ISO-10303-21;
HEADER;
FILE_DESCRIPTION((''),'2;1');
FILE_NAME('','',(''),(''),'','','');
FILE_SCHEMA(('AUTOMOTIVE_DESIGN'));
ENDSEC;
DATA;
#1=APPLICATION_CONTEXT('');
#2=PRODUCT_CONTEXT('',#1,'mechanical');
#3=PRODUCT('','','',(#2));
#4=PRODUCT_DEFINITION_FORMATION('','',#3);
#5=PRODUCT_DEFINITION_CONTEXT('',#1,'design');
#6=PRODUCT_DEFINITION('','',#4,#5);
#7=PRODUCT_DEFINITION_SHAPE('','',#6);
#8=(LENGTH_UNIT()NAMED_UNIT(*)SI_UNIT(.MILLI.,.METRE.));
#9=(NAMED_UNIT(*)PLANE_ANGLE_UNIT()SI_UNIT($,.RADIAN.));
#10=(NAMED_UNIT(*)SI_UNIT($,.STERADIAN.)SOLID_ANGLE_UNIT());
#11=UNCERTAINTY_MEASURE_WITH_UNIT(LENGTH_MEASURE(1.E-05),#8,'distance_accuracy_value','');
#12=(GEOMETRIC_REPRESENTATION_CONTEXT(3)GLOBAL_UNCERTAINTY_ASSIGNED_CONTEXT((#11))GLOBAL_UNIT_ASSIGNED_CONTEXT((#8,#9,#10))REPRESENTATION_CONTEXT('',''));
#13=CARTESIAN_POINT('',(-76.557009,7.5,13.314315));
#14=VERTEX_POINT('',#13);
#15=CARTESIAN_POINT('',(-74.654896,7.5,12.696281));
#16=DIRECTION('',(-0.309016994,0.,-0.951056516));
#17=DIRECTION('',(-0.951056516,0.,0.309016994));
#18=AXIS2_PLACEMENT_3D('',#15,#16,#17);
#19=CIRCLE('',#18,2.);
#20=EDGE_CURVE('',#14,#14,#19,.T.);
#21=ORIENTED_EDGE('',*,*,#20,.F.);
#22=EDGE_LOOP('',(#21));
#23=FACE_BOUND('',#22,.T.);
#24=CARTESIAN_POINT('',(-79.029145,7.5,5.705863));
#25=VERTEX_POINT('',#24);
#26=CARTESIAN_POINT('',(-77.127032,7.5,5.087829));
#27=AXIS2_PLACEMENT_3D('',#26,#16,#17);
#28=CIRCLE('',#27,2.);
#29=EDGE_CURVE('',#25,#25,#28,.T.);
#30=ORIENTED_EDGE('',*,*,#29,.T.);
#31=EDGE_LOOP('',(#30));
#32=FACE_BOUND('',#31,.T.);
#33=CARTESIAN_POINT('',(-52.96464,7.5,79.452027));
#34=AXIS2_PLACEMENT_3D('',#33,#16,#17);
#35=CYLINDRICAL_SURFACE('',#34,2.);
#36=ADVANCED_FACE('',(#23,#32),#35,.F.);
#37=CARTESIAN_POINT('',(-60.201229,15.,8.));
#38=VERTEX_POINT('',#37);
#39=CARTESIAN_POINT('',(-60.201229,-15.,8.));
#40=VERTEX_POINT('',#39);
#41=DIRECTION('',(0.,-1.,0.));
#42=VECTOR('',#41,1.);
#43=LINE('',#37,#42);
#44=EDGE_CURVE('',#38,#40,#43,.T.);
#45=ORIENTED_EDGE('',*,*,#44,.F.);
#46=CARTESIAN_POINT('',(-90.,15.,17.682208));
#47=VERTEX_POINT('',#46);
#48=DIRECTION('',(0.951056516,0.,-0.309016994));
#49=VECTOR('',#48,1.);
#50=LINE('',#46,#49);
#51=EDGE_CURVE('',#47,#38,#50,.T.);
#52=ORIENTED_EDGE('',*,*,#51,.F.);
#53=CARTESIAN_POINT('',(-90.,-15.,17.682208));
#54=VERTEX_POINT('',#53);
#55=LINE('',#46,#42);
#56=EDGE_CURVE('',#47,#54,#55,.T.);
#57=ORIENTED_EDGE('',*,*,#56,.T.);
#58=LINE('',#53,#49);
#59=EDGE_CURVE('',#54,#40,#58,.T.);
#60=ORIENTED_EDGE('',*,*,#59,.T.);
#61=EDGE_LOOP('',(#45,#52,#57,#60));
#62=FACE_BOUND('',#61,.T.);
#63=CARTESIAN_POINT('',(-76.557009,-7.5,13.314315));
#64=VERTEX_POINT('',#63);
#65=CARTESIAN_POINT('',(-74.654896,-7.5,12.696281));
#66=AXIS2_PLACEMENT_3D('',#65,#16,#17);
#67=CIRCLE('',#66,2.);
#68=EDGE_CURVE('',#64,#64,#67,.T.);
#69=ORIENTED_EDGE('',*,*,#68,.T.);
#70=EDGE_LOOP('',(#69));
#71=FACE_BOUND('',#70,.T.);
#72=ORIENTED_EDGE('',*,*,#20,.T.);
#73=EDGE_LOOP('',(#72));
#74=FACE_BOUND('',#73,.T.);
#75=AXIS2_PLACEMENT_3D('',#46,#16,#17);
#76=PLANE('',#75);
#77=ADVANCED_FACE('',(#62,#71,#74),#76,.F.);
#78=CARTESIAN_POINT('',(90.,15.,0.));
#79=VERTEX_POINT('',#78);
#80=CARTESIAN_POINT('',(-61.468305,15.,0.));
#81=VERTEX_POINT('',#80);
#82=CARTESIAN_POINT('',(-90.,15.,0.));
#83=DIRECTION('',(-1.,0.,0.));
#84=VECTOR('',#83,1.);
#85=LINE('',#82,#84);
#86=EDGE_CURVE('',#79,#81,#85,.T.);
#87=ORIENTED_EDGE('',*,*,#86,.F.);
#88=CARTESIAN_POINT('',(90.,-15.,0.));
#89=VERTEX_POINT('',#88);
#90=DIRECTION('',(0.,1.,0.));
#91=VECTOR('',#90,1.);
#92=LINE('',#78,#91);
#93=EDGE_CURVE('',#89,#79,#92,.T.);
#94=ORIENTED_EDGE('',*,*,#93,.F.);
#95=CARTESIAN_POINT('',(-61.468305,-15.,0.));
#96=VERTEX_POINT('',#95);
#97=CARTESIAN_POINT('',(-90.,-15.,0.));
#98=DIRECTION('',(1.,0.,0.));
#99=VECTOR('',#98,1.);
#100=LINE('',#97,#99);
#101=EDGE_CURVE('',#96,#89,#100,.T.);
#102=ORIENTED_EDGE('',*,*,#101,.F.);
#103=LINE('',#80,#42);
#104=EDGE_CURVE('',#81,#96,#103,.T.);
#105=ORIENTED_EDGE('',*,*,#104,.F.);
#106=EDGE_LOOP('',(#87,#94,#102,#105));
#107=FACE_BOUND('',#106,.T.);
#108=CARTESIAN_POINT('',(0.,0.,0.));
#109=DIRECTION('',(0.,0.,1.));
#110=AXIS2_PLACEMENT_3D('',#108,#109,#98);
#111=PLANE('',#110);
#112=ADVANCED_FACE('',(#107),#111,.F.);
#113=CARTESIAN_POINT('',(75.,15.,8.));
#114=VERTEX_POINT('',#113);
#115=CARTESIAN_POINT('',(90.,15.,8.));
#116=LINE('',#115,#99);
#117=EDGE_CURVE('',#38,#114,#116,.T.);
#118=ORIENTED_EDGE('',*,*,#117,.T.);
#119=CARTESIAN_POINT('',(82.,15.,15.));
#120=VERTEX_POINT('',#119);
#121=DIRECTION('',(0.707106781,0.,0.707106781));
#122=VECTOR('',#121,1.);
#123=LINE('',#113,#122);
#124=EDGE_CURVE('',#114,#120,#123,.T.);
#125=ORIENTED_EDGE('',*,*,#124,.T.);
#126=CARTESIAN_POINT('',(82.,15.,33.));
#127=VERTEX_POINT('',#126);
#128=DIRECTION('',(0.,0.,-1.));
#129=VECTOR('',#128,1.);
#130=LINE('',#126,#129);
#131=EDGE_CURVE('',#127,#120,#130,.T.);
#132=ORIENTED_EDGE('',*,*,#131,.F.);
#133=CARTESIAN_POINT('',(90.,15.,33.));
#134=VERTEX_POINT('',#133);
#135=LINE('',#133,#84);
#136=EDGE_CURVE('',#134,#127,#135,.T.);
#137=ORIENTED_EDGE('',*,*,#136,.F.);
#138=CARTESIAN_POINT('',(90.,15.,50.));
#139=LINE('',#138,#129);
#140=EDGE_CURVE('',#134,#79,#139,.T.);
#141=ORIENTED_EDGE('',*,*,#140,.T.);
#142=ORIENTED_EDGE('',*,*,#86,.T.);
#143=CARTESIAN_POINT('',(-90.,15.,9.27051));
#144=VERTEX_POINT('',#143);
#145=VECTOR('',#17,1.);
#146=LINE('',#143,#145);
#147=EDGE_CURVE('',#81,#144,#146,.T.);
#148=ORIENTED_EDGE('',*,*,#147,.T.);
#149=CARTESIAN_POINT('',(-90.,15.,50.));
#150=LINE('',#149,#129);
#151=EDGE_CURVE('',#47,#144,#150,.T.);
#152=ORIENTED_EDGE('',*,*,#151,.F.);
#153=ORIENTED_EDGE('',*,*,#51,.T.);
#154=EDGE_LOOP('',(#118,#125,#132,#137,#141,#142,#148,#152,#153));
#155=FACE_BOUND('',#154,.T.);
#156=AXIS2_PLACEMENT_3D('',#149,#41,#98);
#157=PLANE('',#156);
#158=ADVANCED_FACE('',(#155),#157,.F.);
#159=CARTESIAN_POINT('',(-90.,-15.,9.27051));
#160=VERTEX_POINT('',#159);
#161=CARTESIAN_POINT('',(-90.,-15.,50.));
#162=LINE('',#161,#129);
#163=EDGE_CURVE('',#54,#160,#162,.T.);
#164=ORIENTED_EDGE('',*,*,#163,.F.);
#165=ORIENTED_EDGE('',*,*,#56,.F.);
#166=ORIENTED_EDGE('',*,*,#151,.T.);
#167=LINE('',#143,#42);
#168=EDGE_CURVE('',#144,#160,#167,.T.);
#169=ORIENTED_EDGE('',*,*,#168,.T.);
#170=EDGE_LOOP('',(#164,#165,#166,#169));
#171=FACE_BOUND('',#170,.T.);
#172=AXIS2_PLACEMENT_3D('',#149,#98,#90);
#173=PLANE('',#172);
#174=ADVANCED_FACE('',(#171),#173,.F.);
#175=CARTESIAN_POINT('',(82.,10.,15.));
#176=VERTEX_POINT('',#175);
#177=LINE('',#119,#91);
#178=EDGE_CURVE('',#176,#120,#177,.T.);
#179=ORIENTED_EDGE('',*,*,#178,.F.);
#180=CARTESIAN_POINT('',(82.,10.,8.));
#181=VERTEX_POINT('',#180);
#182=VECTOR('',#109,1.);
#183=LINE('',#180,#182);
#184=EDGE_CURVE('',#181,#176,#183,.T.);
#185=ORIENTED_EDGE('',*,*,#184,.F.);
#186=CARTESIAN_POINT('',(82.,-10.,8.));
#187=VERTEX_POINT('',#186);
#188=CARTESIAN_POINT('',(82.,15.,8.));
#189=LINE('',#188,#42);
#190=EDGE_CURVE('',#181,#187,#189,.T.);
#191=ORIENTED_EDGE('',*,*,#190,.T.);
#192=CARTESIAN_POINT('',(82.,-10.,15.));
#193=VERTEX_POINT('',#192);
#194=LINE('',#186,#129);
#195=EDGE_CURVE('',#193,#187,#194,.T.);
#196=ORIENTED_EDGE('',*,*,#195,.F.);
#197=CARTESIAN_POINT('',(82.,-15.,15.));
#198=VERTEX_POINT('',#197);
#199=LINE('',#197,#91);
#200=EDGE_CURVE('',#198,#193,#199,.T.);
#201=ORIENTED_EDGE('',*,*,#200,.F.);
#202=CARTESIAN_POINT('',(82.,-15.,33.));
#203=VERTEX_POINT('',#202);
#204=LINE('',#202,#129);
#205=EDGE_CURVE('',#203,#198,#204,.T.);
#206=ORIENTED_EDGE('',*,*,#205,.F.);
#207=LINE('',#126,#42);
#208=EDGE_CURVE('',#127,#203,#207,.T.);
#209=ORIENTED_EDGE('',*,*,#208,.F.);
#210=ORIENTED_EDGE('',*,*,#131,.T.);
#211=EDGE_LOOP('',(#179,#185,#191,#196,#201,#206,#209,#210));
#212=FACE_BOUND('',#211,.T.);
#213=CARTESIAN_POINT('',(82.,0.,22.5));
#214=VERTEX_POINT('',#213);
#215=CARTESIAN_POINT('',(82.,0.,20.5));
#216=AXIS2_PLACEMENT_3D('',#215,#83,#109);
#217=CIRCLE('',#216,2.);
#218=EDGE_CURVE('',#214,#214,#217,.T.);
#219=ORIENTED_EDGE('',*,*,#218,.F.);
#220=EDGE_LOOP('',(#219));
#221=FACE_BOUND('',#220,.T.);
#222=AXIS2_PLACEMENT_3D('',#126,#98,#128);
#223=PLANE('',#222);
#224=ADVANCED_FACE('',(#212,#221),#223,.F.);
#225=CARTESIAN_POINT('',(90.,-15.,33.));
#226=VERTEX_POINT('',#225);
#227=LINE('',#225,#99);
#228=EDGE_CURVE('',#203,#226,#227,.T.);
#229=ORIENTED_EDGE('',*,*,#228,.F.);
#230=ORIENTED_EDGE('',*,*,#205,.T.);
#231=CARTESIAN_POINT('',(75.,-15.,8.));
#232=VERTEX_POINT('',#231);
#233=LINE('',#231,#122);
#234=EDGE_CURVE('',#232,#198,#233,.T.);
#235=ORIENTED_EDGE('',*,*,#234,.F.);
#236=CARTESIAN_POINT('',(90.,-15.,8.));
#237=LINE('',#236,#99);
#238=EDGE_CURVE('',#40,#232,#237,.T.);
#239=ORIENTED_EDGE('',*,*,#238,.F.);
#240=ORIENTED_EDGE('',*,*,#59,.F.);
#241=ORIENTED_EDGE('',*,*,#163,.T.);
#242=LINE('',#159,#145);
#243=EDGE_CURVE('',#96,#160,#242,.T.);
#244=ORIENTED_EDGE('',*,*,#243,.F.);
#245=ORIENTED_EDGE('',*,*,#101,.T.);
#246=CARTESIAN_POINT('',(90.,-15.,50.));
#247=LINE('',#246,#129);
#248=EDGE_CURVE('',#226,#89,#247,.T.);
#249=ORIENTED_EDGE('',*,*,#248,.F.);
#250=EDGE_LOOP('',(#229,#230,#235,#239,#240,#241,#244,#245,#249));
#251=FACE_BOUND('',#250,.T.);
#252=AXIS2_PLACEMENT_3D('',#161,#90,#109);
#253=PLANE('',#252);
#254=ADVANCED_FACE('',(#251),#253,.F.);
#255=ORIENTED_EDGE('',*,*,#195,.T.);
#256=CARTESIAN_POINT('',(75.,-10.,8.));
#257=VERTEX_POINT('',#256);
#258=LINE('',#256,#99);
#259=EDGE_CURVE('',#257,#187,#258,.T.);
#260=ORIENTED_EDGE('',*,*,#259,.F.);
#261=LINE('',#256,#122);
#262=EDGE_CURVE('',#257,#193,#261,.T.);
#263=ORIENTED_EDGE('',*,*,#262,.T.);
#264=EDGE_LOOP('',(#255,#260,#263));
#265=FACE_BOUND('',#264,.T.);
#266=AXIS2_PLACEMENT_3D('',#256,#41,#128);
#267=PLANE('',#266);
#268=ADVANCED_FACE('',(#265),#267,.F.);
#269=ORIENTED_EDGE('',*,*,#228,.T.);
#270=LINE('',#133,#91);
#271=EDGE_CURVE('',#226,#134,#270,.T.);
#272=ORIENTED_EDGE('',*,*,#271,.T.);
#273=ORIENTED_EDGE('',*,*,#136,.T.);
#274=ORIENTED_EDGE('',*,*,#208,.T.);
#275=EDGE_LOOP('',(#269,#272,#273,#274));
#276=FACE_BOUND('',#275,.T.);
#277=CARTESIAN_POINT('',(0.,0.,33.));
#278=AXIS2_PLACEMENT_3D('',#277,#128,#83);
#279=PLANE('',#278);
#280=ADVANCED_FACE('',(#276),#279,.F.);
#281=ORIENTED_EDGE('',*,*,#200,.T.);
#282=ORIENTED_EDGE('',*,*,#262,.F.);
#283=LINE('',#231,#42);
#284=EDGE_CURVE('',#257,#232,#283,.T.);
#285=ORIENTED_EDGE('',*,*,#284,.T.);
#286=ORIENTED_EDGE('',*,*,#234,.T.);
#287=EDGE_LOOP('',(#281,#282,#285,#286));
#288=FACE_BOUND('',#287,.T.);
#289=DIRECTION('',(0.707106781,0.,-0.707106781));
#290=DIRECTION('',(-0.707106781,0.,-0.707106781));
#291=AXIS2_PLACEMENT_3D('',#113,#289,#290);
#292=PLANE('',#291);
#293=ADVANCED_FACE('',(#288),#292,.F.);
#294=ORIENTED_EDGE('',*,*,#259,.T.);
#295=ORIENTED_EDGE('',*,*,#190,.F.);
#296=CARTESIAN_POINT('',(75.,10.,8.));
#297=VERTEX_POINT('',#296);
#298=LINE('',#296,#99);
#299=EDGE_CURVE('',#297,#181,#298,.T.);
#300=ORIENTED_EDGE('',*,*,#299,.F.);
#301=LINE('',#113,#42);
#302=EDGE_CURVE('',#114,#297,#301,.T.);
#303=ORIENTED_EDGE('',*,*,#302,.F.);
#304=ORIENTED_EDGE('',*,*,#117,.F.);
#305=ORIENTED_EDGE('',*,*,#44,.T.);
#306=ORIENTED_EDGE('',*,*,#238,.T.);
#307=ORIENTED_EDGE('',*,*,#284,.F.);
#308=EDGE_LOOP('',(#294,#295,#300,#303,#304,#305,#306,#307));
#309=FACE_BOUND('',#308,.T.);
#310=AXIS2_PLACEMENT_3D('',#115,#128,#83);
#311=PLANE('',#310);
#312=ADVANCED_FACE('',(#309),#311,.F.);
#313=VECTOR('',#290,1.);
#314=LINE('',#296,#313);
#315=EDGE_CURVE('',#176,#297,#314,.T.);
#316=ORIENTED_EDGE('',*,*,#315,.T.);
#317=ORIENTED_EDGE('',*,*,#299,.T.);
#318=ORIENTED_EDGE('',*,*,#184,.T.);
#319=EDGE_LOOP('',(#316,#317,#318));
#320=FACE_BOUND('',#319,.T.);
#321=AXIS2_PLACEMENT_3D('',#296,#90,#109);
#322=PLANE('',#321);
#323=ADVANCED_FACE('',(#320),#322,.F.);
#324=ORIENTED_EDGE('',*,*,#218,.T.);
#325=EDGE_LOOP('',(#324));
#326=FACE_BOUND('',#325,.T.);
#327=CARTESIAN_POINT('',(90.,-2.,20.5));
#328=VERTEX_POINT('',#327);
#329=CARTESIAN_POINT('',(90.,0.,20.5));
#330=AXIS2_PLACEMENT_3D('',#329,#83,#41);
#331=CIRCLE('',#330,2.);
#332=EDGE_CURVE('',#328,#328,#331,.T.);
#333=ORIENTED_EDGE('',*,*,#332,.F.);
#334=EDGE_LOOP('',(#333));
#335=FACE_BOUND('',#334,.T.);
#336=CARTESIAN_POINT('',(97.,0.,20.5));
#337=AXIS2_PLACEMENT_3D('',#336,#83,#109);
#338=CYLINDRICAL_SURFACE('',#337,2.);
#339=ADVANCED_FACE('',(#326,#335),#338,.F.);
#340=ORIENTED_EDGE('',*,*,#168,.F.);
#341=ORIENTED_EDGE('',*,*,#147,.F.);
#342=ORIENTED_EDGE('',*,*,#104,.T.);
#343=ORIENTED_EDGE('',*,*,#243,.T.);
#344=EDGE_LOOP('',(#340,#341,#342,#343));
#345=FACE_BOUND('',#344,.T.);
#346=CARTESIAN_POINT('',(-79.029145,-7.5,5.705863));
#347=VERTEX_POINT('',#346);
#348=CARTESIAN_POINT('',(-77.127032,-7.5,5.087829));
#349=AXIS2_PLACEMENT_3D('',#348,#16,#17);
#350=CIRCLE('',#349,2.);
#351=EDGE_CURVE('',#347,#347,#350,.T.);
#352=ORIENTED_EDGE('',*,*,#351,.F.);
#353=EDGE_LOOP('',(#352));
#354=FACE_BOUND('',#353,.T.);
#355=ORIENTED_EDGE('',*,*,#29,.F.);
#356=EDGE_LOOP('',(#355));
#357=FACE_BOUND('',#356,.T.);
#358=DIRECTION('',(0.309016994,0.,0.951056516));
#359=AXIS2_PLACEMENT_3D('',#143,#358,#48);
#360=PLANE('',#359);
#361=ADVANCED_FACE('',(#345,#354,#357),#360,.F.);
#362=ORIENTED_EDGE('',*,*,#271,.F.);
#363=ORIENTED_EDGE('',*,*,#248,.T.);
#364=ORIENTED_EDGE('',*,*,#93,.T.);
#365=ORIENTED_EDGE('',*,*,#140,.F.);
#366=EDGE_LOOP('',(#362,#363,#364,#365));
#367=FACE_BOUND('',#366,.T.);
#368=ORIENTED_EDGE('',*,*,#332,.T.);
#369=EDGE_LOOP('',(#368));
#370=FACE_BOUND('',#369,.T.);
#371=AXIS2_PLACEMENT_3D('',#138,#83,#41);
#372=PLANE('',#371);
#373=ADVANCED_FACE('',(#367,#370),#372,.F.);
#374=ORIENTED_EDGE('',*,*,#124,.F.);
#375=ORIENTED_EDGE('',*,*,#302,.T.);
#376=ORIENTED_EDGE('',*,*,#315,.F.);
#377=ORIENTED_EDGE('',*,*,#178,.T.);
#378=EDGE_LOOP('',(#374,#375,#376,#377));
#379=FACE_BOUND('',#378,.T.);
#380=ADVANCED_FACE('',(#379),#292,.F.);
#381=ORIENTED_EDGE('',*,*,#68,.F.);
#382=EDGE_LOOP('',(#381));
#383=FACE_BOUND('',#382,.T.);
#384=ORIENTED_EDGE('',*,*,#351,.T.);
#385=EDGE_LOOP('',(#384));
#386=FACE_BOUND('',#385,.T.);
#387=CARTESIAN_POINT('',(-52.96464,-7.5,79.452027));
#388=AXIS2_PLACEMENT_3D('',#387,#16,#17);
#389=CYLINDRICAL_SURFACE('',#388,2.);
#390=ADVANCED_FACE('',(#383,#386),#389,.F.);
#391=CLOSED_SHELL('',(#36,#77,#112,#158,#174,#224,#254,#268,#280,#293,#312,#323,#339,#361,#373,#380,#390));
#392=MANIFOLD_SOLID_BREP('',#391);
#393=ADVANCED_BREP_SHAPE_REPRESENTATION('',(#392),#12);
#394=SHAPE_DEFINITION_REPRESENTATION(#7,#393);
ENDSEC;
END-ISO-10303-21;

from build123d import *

# Parameters (mm, degrees)
SKETCH1_W           = 180
SKETCH1_H           = 30
BOSS_EXTRUDE1_DEPTH = 50
CUT_EXTRUDE1_DEPTH  = 108.238052948
CUT_EXTRUDE2_DEPTH  = 108.238052948
SKETCH4_W           = 8
SKETCH4_H           = 30
BOSS_EXTRUDE2_DEPTH = 25
SKETCH5_W           = 7
SKETCH5_H           = 5
BOSS_EXTRUDE3_DEPTH = 7
CUT_EXTRUDE3_DEPTH  = 101.444014257
SKETCH7_R           = 2
CUT_EXTRUDE4_DEPTH  = 15
SKETCH8_R           = 2
CUT_EXTRUDE5_DEPTH  = 110.652369188


with BuildPart() as part:
    # Sketch1 → Boss-Extrude1 (new body)
    with BuildSketch(Plane.XY):
        Rectangle(SKETCH1_W, SKETCH1_H)
    extrude(amount=BOSS_EXTRUDE1_DEPTH)

    # Sketch2 → Cut-Extrude1 (cut, through all)
    with BuildSketch(Plane.XZ.offset(15)):
        Polygon((-90, 9.270509831), (-61.468304511, 0), (-90, 0), align=None)
    extrude(amount=-CUT_EXTRUDE1_DEPTH, mode=Mode.SUBTRACT)

    # Sketch3 → Cut-Extrude2 (cut, through all)
    with BuildSketch(Plane.XZ.offset(15)):
        Polygon((-90, 17.682207625), (-60.201228989, 8), (90, 8), (90, 50), (-90, 50), align=None)
    extrude(amount=-CUT_EXTRUDE2_DEPTH, mode=Mode.SUBTRACT)

    # Sketch4 → Boss-Extrude2 (add)
    with BuildSketch(Plane.XY.offset(8)):
        with Locations((86, 0)):
            Rectangle(SKETCH4_W, SKETCH4_H)
    extrude(amount=BOSS_EXTRUDE2_DEPTH)

    # Sketch5 → Boss-Extrude3 (add)
    with BuildSketch(Plane.ZY.offset(-82)):
        with Locations((11.5, -12.5)):
            Rectangle(SKETCH5_W, SKETCH5_H)
        with Locations((11.5, 12.5)):
            Rectangle(SKETCH5_W, SKETCH5_H)
    extrude(amount=BOSS_EXTRUDE3_DEPTH)

    # Sketch6 → Cut-Extrude3 (cut, through all)
    with BuildSketch(Plane.XZ.offset(15)):
        Polygon((75, 8), (82, 15), (75, 15), align=None)
    extrude(amount=-CUT_EXTRUDE3_DEPTH, mode=Mode.SUBTRACT)

    # Sketch7 → Cut-Extrude4 (cut)
    with BuildSketch(Plane.ZY.offset(-82)):
        with Locations((20.5, 0)):
            Circle(SKETCH7_R)
    extrude(amount=-CUT_EXTRUDE4_DEPTH, mode=Mode.SUBTRACT)

    # Sketch8 → Cut-Extrude5 (cut, through all)
    with BuildSketch(Plane(origin=(-5.869700773, 0, -18.065081438), x_dir=(-0.9510565162951532, 0, 0.30901699437494884), z_dir=(-0.30901699437494884, 0, -0.9510565162951532))):
        with Locations((74.92439222, 7.5)):
            Circle(SKETCH8_R)
        with Locations((74.92439222, -7.5)):
            Circle(SKETCH8_R)
    extrude(amount=-CUT_EXTRUDE5_DEPTH, mode=Mode.SUBTRACT)


solid = part.part
